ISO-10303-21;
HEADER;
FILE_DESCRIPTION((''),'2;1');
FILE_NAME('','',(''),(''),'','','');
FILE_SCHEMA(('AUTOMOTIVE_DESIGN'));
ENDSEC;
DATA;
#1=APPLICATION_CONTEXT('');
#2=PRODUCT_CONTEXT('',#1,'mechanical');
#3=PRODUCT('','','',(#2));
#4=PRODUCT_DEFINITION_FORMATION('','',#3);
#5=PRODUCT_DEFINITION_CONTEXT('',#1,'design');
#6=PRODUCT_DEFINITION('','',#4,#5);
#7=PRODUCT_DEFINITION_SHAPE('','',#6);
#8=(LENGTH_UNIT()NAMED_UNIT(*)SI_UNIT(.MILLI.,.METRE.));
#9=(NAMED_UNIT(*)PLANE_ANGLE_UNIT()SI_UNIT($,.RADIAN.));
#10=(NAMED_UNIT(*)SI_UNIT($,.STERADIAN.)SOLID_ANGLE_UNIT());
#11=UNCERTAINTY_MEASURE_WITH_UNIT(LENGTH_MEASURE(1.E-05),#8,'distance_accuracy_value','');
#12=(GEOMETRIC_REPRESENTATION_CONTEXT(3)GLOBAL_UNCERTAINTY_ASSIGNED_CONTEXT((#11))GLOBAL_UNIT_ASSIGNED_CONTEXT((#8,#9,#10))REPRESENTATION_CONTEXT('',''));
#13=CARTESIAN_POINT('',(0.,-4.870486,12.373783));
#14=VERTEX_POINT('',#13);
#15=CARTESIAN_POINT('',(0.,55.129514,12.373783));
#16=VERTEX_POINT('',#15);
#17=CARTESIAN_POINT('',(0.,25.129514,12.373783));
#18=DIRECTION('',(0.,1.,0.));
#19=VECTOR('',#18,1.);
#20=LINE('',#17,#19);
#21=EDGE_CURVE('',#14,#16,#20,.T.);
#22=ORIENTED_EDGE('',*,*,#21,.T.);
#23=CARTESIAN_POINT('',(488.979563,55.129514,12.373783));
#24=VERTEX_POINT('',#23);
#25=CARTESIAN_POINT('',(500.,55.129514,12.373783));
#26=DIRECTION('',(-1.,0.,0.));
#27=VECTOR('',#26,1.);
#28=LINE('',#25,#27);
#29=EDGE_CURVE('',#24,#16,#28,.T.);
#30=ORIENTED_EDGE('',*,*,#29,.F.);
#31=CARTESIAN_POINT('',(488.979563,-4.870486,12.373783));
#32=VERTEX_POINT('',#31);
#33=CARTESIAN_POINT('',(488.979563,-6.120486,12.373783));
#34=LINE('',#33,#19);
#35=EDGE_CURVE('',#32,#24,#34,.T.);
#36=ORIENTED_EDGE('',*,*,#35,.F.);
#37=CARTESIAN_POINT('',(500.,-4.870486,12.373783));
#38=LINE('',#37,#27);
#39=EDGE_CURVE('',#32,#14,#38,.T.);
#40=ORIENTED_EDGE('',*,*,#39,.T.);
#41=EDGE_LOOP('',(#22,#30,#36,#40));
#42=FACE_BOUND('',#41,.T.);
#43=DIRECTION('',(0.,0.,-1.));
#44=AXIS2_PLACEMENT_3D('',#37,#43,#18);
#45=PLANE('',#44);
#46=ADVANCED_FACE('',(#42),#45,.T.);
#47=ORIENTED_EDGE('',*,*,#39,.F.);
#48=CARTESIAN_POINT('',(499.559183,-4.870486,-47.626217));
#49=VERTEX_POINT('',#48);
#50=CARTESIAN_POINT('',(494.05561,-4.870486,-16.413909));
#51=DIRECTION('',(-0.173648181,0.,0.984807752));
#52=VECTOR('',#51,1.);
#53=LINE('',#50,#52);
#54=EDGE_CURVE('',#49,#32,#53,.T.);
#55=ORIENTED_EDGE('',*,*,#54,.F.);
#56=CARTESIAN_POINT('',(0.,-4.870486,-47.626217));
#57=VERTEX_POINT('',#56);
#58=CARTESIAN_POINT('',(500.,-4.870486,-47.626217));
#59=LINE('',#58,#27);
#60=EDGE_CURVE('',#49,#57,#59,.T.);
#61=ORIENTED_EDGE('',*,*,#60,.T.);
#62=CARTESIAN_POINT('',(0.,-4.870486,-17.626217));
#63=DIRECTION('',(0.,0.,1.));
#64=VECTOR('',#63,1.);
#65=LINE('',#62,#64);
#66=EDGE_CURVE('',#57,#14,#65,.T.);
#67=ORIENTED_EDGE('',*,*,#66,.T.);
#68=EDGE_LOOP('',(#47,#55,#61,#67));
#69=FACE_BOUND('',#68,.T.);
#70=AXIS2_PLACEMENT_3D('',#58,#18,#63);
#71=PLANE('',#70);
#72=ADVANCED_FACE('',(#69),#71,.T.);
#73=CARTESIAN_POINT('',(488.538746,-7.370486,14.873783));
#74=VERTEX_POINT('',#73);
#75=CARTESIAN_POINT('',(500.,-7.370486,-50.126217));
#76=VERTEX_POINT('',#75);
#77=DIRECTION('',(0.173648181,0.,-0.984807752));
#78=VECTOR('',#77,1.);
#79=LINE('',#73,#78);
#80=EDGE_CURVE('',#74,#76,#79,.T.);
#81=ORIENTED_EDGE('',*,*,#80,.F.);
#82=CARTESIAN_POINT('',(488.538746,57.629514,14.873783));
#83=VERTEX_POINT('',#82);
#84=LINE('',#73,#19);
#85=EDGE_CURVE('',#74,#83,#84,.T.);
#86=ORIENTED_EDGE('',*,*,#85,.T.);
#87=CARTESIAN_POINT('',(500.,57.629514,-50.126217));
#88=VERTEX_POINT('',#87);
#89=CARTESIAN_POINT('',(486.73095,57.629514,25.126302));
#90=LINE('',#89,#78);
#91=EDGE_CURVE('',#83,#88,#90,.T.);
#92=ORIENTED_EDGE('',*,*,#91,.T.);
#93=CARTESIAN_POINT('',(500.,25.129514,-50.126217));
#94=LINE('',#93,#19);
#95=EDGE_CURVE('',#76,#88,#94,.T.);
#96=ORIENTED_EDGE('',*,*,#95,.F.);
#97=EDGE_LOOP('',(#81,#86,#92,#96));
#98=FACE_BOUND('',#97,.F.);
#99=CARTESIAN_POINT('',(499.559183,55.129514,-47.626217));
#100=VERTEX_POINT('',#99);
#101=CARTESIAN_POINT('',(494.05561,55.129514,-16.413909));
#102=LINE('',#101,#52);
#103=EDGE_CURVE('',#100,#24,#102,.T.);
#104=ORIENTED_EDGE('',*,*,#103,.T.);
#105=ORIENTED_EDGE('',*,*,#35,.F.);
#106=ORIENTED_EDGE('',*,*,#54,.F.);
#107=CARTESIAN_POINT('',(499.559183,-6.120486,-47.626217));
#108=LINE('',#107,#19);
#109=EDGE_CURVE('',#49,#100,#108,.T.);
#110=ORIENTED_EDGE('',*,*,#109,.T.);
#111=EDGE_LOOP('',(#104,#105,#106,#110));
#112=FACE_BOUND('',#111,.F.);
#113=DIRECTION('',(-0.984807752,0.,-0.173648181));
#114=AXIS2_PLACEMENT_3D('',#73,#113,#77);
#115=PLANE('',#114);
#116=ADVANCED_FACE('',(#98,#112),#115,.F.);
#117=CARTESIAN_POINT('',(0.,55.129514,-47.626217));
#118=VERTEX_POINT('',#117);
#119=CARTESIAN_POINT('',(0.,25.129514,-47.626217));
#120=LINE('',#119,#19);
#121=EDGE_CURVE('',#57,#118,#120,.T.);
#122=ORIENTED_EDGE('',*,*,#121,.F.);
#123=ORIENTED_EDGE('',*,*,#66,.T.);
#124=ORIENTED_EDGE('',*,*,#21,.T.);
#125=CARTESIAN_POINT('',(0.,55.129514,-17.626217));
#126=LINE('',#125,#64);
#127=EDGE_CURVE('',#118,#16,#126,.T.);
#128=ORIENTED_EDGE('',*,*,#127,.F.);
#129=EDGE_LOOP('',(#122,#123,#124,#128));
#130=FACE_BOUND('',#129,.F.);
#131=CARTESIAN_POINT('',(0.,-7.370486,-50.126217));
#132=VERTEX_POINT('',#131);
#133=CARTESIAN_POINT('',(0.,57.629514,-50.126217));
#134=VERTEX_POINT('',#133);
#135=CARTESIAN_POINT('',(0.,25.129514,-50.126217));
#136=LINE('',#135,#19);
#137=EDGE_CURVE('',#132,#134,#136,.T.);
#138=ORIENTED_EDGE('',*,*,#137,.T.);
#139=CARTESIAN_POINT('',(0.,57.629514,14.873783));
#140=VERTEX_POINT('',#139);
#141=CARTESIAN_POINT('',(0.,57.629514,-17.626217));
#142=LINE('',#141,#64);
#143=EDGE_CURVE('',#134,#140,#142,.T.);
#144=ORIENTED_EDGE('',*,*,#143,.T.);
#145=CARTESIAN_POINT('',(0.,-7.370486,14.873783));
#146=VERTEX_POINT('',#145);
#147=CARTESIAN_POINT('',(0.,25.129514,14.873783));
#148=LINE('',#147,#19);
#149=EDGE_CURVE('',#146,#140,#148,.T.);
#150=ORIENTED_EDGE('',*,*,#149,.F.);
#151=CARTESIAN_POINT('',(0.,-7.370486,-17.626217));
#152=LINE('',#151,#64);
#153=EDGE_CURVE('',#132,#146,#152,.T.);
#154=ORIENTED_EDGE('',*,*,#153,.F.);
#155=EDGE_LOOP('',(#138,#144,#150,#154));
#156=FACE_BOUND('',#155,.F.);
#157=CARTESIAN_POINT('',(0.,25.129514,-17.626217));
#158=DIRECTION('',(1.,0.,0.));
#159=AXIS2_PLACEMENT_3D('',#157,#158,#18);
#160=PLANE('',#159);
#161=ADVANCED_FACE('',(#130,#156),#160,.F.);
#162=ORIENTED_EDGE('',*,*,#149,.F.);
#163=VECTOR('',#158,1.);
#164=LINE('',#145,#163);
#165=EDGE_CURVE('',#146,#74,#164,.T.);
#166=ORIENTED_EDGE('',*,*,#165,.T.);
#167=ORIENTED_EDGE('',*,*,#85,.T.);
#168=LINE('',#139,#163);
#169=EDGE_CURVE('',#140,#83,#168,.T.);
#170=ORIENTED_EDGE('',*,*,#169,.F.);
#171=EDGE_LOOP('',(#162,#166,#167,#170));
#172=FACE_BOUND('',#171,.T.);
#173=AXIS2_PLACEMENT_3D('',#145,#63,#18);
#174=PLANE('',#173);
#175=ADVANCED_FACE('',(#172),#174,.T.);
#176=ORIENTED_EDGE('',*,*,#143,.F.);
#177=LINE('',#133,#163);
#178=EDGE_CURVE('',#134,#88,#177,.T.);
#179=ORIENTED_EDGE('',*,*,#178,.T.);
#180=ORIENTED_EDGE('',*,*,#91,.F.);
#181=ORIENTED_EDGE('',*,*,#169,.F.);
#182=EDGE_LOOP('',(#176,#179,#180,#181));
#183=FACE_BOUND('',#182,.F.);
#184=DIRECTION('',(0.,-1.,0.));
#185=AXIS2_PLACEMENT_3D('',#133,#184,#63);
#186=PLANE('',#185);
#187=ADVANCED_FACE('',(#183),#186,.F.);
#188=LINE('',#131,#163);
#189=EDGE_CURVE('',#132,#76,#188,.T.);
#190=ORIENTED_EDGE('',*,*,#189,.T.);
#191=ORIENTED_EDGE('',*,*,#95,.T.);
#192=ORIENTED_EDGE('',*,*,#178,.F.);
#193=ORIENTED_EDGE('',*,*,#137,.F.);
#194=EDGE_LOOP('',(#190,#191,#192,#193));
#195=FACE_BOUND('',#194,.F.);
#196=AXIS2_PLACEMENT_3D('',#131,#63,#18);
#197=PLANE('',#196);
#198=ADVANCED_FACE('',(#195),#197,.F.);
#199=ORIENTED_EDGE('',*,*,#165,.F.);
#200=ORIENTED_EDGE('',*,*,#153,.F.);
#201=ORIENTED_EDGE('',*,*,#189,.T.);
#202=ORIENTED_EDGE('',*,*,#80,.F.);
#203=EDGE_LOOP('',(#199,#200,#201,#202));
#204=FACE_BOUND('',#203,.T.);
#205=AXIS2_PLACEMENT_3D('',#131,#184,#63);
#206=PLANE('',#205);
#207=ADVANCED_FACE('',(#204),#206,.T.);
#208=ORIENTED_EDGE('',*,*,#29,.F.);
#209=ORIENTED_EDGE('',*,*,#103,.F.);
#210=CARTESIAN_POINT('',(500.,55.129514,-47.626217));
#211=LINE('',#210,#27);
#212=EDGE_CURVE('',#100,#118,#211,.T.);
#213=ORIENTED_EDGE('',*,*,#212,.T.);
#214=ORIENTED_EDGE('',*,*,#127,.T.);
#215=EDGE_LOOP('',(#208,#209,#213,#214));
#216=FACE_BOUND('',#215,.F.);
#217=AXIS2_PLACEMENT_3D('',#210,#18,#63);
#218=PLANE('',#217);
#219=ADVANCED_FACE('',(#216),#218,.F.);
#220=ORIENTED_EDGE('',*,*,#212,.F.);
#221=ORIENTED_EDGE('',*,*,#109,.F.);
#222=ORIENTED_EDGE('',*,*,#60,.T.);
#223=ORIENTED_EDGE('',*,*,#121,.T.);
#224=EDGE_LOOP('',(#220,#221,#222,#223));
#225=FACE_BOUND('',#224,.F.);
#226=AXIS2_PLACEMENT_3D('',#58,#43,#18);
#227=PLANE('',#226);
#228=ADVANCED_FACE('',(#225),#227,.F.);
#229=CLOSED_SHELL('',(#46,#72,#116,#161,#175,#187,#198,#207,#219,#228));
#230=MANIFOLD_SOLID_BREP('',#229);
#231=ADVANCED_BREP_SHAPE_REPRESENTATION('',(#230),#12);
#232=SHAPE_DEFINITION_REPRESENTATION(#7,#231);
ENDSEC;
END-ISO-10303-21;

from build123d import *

# Parameters (mm, degrees)
F0_W     = 65
F0_H     = 65
F1_DEPTH = 500
F2_W     = 60
F2_H     = 60
F3_DEPTH = 500
F5_DEPTH = 70


with BuildPart() as f1:
    # F0 (on Right) → F1 (new body)
    with BuildSketch(Plane.YZ):
        with Locations((25.129514, -17.626217)):
            Rectangle(F0_W, F0_H)
    extrude(amount=F1_DEPTH)

    # F2 (on face) → F3 (cut)
    with BuildSketch(Plane.YZ.offset(500)):
        with Locations((25.129514, -17.626217)):
            Rectangle(F2_W, F2_H)
    extrude(amount=-F3_DEPTH, mode=Mode.SUBTRACT)

    # F4 (on face) → F5 (cut)
    with BuildSketch(Plane.XZ.offset(7.370486)):
        Polygon((488.538746, 14.873783), (500, -50.126217), (500, 14.873783), align=None)
    extrude(amount=-F5_DEPTH, mode=Mode.SUBTRACT)


solid = f1.part
